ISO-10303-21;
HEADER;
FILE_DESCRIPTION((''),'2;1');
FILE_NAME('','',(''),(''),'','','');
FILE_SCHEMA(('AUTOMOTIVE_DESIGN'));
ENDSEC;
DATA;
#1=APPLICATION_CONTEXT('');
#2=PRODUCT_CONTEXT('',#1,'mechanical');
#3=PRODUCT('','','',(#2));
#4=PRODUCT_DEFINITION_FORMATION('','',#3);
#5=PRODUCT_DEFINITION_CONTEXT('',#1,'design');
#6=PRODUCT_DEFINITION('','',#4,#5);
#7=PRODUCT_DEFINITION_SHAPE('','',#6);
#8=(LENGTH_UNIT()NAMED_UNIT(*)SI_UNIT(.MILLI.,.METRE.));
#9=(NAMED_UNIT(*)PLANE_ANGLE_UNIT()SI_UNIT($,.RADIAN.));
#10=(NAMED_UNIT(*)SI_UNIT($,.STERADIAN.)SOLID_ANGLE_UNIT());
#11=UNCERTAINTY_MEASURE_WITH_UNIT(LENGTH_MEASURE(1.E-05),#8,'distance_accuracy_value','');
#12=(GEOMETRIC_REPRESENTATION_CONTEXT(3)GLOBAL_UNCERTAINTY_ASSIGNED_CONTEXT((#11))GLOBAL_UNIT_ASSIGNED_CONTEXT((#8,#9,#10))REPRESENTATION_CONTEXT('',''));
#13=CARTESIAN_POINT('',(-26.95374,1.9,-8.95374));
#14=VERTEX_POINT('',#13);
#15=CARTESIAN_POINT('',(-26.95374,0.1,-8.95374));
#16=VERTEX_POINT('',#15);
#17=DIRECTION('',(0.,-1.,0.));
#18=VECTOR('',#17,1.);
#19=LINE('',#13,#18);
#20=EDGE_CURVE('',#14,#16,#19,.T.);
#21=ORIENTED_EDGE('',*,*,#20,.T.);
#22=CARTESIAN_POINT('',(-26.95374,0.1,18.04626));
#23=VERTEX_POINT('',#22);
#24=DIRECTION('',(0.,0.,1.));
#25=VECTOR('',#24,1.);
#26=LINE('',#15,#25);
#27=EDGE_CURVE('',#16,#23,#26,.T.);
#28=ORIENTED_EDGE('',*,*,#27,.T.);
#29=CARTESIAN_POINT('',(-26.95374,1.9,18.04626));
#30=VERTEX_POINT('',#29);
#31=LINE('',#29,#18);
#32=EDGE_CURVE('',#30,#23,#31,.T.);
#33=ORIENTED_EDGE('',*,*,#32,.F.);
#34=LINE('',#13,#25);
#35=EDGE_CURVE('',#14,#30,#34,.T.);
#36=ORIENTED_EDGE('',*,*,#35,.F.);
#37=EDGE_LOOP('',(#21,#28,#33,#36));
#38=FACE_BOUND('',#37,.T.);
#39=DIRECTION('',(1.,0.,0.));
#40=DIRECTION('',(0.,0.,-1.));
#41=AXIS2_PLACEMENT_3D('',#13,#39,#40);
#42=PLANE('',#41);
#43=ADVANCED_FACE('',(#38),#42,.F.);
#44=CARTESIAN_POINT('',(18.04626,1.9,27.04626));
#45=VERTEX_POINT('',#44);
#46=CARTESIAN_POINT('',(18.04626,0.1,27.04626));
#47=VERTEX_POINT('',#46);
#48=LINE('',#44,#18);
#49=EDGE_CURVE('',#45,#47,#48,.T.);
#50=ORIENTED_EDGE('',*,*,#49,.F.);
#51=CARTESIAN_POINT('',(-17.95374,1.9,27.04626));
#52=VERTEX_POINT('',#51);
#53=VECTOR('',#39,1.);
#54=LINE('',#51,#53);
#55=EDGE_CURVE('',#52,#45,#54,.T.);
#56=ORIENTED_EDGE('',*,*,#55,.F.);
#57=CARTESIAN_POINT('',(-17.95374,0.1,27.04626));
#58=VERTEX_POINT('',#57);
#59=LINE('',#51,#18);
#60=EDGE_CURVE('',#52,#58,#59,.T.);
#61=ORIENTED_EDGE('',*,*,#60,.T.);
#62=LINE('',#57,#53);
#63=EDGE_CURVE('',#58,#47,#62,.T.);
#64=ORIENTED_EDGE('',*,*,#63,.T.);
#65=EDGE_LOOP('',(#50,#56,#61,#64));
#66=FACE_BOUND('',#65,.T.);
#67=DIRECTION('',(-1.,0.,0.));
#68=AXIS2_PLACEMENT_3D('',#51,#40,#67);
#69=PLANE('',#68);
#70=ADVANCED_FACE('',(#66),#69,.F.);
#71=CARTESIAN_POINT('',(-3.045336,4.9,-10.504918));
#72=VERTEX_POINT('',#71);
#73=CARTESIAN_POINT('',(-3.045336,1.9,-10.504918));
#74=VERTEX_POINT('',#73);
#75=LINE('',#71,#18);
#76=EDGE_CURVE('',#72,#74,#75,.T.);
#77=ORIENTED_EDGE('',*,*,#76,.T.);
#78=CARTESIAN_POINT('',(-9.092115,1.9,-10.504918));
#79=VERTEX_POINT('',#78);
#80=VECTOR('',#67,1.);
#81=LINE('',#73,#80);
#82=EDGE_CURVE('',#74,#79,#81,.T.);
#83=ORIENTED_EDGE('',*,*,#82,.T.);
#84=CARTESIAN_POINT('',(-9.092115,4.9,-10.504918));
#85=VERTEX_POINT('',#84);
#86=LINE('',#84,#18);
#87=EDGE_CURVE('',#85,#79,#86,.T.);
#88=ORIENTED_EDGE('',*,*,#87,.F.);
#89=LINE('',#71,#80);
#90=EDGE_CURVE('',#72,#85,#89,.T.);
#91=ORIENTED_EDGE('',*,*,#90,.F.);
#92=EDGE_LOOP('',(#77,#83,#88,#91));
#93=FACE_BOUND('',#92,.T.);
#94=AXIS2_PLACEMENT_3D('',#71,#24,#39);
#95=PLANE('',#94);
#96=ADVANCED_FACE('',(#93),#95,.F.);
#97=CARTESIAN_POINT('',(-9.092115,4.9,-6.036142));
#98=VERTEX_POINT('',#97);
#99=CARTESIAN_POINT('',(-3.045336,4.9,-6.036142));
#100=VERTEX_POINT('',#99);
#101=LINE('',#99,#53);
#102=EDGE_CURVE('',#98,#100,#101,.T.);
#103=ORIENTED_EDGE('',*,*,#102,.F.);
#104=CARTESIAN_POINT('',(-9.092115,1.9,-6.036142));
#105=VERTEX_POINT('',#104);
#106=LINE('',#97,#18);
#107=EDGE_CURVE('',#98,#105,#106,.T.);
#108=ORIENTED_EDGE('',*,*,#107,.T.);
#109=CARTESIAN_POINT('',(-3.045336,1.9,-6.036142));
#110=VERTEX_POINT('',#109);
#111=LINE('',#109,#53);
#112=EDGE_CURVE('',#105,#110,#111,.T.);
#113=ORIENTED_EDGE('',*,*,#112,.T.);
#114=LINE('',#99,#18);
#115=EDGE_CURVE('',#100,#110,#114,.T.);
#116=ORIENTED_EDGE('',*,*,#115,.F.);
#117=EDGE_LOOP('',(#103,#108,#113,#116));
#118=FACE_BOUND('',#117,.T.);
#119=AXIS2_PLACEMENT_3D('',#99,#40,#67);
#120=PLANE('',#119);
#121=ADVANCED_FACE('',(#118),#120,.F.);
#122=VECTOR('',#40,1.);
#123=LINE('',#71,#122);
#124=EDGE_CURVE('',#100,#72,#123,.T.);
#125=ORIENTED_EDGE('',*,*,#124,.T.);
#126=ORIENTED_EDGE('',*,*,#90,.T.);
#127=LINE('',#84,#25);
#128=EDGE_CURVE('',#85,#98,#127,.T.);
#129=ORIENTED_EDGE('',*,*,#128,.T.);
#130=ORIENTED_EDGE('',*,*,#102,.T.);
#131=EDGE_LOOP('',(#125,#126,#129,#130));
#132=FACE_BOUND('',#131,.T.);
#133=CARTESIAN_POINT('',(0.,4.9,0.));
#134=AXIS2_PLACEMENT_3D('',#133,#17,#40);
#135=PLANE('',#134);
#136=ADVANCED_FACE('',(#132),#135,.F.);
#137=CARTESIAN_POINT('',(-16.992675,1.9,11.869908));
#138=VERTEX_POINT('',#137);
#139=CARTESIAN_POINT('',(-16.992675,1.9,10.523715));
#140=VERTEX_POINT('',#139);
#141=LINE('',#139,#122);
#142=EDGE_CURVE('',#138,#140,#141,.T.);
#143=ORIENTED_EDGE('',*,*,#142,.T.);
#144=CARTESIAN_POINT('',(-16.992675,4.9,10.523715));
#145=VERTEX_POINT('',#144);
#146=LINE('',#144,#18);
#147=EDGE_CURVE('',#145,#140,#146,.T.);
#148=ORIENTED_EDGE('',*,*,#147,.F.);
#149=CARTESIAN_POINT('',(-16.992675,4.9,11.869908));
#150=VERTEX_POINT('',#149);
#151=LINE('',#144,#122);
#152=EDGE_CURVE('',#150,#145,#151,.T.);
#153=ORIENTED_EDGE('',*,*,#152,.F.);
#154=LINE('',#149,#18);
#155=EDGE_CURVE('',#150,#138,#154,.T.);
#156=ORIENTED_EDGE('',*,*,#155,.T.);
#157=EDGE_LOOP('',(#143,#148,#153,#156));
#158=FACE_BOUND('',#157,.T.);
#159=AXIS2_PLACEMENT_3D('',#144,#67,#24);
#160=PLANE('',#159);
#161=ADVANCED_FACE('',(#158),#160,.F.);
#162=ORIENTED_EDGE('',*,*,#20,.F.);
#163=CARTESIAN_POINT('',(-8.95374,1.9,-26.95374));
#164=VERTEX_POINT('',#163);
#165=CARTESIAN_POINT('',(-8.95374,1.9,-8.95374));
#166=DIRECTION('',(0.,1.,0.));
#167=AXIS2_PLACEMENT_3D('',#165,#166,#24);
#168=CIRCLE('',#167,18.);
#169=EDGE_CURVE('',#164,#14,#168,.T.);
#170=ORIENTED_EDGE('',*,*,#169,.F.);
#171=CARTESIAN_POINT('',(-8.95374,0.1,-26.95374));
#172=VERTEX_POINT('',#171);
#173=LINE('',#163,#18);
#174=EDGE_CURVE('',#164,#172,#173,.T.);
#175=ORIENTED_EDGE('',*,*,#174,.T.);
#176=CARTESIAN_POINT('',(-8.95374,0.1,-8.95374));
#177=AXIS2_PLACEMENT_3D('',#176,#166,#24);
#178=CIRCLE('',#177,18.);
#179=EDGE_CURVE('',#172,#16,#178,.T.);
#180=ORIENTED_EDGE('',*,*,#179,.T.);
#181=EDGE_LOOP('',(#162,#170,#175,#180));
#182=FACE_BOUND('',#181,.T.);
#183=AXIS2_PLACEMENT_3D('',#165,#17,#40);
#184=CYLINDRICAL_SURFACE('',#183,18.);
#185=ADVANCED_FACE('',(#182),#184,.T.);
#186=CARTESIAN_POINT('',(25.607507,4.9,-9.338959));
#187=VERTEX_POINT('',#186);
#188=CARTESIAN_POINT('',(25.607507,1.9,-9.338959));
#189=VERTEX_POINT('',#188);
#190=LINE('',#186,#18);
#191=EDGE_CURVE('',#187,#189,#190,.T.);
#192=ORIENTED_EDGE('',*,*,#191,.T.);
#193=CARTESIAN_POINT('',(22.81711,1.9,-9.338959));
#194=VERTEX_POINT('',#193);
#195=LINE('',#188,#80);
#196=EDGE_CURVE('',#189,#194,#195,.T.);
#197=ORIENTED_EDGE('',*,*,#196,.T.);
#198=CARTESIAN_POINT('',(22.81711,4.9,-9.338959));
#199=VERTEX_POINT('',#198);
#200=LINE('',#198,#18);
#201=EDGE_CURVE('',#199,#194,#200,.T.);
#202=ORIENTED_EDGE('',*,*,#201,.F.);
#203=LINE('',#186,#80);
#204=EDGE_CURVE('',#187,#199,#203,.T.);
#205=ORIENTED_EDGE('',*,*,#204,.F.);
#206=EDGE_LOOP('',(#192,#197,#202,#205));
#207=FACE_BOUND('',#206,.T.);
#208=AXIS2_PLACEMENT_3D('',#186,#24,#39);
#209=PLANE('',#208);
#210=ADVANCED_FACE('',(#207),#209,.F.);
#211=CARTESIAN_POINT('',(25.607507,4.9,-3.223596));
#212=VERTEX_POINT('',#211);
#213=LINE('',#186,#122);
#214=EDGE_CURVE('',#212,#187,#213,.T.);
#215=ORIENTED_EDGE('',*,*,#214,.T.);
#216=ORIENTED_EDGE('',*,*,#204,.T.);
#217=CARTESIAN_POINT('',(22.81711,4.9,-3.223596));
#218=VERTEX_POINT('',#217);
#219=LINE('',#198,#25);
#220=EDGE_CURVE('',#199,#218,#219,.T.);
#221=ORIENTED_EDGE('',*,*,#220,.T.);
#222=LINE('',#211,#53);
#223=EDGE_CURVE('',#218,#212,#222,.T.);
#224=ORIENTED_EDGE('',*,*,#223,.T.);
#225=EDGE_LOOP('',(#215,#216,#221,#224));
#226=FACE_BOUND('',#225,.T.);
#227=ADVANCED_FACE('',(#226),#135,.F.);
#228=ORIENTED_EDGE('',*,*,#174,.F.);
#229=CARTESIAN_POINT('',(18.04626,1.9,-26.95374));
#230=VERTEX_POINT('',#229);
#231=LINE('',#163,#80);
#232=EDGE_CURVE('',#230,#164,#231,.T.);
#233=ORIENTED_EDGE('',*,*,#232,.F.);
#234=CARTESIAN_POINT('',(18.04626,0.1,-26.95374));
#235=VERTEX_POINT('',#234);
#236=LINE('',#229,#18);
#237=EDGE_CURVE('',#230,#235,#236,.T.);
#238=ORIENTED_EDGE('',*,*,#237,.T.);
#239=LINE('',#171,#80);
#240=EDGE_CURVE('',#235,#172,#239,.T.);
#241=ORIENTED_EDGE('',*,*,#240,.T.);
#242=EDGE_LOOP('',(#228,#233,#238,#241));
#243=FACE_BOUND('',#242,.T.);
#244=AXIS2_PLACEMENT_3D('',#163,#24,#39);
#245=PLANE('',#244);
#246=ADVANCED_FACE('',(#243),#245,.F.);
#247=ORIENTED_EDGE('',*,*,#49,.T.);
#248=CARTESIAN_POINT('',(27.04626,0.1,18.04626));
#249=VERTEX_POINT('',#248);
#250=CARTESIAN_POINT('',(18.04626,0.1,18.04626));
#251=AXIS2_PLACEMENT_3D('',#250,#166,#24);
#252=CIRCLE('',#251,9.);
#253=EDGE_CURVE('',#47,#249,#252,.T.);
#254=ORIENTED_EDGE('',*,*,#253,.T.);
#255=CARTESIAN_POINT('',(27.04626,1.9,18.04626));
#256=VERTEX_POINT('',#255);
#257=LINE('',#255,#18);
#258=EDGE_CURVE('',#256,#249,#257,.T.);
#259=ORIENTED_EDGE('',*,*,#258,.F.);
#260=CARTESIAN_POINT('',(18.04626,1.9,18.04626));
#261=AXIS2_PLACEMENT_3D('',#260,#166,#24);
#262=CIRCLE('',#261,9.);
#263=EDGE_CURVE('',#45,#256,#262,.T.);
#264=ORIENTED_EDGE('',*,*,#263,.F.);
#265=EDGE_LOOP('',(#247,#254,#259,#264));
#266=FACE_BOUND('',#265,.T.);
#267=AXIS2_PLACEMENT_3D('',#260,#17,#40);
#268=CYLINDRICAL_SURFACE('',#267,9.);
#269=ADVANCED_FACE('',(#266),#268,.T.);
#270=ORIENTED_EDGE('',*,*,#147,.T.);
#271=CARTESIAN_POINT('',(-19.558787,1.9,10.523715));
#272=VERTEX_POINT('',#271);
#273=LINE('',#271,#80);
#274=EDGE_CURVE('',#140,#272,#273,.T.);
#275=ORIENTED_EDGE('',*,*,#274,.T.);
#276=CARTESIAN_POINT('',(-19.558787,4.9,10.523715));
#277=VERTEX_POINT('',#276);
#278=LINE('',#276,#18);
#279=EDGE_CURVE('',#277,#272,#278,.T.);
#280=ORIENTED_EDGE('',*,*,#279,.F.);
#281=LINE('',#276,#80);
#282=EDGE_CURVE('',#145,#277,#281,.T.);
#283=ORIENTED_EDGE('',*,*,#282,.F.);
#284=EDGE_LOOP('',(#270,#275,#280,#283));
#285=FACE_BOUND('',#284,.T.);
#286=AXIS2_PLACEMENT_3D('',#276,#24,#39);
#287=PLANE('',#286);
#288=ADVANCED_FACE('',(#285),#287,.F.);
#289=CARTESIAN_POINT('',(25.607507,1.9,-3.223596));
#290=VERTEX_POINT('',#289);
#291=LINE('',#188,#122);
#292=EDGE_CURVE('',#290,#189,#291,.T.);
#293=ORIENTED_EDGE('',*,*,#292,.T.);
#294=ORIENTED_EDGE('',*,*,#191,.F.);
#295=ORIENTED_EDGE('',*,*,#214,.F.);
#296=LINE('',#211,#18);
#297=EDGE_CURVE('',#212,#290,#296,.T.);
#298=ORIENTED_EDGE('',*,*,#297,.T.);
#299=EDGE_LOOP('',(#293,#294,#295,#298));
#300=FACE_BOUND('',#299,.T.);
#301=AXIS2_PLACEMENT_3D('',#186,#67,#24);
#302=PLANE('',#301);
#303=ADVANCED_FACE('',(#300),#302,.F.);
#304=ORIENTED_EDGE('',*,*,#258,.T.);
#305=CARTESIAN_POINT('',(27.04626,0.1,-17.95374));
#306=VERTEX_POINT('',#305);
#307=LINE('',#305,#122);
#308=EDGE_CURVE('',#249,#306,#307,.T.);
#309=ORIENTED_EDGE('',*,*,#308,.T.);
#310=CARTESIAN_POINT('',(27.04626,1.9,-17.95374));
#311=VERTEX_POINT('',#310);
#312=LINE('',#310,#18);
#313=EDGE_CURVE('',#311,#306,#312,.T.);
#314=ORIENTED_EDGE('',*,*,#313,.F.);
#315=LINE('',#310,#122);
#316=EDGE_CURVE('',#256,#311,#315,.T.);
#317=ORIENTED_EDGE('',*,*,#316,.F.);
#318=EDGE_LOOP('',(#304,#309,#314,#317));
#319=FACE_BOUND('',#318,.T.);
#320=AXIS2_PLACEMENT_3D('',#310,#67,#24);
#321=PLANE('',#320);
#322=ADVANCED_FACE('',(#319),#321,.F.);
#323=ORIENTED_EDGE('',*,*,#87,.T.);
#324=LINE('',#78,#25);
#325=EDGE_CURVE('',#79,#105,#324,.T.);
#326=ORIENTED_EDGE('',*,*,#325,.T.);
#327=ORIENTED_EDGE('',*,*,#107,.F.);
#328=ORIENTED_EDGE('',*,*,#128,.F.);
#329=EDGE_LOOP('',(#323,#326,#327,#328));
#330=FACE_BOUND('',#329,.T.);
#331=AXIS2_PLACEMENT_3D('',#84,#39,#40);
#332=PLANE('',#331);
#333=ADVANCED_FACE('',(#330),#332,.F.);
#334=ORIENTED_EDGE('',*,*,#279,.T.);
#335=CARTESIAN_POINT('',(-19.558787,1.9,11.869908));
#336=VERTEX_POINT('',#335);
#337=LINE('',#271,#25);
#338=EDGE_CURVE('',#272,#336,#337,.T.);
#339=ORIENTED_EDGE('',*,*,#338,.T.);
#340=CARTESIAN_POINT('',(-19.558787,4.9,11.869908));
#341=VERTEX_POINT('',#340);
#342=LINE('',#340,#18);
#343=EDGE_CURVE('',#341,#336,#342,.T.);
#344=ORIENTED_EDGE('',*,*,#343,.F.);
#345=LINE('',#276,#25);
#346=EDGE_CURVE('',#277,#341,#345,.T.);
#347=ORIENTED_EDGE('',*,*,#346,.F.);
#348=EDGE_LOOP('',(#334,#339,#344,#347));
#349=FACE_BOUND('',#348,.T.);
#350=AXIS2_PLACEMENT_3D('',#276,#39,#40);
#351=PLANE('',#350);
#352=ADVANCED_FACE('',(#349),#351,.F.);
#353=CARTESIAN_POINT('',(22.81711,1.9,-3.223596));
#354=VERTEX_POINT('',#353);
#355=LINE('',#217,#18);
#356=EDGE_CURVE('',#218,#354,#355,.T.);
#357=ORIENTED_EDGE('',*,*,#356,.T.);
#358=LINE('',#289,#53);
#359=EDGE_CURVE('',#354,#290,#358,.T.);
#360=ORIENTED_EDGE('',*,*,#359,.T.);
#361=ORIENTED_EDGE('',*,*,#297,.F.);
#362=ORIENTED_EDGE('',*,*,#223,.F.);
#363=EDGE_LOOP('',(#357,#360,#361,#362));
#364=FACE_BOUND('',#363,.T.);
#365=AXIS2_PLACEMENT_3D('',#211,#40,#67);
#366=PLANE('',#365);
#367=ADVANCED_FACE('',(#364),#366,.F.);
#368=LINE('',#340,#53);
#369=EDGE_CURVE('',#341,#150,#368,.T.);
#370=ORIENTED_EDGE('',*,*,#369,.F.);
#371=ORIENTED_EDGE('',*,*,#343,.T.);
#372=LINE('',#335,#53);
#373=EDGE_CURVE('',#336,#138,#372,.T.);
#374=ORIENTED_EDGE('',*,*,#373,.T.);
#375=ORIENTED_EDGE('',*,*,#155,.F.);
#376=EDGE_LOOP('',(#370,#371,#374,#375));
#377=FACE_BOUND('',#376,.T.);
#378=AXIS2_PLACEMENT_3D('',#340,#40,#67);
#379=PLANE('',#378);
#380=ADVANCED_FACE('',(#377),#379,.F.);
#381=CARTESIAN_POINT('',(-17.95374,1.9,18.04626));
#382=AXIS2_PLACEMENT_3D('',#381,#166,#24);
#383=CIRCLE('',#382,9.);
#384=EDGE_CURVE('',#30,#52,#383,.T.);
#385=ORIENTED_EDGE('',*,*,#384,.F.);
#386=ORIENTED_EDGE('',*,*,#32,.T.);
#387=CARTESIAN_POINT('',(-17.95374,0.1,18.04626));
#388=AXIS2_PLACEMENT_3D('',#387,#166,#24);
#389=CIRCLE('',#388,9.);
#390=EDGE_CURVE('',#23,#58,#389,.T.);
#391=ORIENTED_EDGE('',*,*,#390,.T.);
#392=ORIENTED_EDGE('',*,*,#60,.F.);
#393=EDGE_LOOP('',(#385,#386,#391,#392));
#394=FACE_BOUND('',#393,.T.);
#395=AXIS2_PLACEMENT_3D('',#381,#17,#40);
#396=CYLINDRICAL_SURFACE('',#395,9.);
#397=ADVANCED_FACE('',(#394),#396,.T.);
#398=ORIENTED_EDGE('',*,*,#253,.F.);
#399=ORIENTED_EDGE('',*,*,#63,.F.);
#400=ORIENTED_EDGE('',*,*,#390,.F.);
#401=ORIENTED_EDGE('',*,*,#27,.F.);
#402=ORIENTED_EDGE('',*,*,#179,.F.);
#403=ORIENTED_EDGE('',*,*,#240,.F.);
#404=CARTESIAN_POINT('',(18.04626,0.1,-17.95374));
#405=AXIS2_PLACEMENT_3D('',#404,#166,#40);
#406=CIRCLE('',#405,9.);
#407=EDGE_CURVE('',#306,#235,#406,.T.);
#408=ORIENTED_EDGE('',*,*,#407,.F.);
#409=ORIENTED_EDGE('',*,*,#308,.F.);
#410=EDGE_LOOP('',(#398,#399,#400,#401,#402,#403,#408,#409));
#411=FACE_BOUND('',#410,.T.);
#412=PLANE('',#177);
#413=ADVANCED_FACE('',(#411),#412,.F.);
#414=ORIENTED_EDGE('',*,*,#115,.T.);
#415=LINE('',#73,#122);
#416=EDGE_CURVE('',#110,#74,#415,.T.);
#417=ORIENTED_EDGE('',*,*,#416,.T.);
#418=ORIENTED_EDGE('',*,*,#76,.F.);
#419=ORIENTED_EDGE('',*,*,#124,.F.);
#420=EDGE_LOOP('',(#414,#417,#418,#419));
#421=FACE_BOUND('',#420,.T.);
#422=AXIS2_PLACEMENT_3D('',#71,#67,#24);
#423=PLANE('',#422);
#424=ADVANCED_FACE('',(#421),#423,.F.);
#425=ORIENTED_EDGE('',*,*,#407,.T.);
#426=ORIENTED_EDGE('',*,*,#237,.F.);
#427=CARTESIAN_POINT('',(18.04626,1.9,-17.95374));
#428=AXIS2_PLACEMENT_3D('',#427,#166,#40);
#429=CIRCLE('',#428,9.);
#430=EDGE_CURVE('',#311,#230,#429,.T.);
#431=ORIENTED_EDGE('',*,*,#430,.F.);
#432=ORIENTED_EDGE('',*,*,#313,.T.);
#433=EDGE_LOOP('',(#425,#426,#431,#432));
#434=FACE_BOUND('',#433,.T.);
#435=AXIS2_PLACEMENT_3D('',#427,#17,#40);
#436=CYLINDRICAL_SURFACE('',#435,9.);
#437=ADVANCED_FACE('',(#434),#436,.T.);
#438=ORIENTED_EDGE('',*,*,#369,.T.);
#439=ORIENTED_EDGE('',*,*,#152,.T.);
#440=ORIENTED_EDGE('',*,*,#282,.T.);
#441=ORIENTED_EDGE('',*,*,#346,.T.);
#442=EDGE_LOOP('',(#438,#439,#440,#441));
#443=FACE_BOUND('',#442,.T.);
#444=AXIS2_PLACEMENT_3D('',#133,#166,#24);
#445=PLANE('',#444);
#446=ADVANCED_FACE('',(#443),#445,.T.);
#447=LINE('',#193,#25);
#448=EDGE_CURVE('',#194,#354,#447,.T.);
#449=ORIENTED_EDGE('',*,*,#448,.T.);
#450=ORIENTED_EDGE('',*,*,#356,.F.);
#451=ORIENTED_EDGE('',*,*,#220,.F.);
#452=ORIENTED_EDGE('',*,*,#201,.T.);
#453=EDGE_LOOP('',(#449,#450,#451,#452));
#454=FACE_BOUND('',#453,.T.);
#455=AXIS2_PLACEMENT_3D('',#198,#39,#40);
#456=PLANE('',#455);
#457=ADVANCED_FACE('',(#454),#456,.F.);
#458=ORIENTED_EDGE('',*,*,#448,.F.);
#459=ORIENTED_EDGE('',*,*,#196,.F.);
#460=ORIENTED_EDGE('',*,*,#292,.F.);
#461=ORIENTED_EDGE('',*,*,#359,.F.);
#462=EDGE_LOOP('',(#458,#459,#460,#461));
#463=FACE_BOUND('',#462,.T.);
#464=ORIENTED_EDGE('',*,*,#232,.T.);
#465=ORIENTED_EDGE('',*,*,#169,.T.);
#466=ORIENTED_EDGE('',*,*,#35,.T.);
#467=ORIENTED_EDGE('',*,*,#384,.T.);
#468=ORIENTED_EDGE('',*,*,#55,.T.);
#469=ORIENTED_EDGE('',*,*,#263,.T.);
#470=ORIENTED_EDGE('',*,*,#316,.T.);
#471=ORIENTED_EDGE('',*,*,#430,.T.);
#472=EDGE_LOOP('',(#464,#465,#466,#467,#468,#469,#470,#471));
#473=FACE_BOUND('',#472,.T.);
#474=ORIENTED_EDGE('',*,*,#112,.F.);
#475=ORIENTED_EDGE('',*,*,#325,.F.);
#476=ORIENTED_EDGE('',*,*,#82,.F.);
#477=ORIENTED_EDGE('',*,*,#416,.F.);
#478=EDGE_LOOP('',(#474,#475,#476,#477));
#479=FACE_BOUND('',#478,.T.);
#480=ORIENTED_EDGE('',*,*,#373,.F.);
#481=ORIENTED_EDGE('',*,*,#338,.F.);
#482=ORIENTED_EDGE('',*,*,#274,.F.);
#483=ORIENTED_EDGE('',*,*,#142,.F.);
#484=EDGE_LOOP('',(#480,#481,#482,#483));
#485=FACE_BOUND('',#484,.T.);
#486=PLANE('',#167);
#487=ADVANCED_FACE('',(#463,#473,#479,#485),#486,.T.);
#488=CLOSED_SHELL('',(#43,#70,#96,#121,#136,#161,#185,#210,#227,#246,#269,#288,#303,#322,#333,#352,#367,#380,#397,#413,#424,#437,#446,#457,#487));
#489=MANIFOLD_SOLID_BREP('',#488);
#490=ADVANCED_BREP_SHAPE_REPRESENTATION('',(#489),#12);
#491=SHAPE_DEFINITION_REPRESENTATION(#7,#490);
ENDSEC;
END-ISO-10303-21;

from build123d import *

# Parameters (mm, degrees)
BOSS_EXTRUDE1_DEPTH = 2
SCALE1_SCALE        = 0.9
SKETCH3_W           = 6.046779213
SKETCH3_H           = 4.468776405
BOSS_EXTRUDE2_DEPTH = 3
SKETCH4_W           = 2.790397576
SKETCH4_H           = 6.115363286
BOSS_EXTRUDE3_DEPTH = 3
SKETCH5_W           = 2.56611171
SKETCH5_H           = 1.346193589
BOSS_EXTRUDE4_DEPTH = 3


with BuildPart() as part:
    # Sketch2 → Boss-Extrude1 (new body)
    with BuildSketch(Plane(origin=(0, 0, 0), x_dir=(1, 0, 0), z_dir=(0, 1, 0))):
        with BuildLine():
            Line((-10, 30), (20, 30))
            ThreePointArc((20, 30), (27.071067812, 27.071067812), (30, 20))
            Line((30, 20), (30, -20))
            ThreePointArc((30, -20), (27.071067812, -27.071067812), (20, -30))
            Line((20, -30), (-20, -30))
            ThreePointArc((-20, -30), (-27.071067812, -27.071067812), (-30, -20))
            Line((-30, -20), (-30, 10))
            ThreePointArc((-30, 10), (-24.142135624, 24.142135624), (-10, 30))
        make_face()
    extrude(amount=BOSS_EXTRUDE1_DEPTH)


with BuildPart() as part_1:
    # Scale1: scaled about (0.462600785, 1, 0.462600785)
    add(part.part.scale(SCALE1_SCALE).moved(Location((0.046260078, 0.1, 0.046260078))))

    # Sketch3 → Boss-Extrude2 (add)
    with BuildSketch(Plane(origin=(0, 1.9, 0), x_dir=(1, 0, 0), z_dir=(0, 1, 0))):
        with Locations((-6.068725182, 8.270529837)):
            Rectangle(SKETCH3_W, SKETCH3_H)
    extrude(amount=BOSS_EXTRUDE2_DEPTH)

    # Sketch4 → Boss-Extrude3 (add)
    with BuildSketch(Plane(origin=(0, 1.9, 0), x_dir=(1, 0, 0), z_dir=(0, 1, 0))):
        with Locations((24.212308402, 6.281277774)):
            Rectangle(SKETCH4_W, SKETCH4_H)
    extrude(amount=BOSS_EXTRUDE3_DEPTH)

    # Sketch5 → Boss-Extrude4 (add)
    with BuildSketch(Plane(origin=(0, 1.9, 0), x_dir=(1, 0, 0), z_dir=(0, 1, 0))):
        with Locations((-18.275730646, -11.196811513)):
            Rectangle(SKETCH5_W, SKETCH5_H)
    extrude(amount=BOSS_EXTRUDE4_DEPTH)


solid = part_1.part
